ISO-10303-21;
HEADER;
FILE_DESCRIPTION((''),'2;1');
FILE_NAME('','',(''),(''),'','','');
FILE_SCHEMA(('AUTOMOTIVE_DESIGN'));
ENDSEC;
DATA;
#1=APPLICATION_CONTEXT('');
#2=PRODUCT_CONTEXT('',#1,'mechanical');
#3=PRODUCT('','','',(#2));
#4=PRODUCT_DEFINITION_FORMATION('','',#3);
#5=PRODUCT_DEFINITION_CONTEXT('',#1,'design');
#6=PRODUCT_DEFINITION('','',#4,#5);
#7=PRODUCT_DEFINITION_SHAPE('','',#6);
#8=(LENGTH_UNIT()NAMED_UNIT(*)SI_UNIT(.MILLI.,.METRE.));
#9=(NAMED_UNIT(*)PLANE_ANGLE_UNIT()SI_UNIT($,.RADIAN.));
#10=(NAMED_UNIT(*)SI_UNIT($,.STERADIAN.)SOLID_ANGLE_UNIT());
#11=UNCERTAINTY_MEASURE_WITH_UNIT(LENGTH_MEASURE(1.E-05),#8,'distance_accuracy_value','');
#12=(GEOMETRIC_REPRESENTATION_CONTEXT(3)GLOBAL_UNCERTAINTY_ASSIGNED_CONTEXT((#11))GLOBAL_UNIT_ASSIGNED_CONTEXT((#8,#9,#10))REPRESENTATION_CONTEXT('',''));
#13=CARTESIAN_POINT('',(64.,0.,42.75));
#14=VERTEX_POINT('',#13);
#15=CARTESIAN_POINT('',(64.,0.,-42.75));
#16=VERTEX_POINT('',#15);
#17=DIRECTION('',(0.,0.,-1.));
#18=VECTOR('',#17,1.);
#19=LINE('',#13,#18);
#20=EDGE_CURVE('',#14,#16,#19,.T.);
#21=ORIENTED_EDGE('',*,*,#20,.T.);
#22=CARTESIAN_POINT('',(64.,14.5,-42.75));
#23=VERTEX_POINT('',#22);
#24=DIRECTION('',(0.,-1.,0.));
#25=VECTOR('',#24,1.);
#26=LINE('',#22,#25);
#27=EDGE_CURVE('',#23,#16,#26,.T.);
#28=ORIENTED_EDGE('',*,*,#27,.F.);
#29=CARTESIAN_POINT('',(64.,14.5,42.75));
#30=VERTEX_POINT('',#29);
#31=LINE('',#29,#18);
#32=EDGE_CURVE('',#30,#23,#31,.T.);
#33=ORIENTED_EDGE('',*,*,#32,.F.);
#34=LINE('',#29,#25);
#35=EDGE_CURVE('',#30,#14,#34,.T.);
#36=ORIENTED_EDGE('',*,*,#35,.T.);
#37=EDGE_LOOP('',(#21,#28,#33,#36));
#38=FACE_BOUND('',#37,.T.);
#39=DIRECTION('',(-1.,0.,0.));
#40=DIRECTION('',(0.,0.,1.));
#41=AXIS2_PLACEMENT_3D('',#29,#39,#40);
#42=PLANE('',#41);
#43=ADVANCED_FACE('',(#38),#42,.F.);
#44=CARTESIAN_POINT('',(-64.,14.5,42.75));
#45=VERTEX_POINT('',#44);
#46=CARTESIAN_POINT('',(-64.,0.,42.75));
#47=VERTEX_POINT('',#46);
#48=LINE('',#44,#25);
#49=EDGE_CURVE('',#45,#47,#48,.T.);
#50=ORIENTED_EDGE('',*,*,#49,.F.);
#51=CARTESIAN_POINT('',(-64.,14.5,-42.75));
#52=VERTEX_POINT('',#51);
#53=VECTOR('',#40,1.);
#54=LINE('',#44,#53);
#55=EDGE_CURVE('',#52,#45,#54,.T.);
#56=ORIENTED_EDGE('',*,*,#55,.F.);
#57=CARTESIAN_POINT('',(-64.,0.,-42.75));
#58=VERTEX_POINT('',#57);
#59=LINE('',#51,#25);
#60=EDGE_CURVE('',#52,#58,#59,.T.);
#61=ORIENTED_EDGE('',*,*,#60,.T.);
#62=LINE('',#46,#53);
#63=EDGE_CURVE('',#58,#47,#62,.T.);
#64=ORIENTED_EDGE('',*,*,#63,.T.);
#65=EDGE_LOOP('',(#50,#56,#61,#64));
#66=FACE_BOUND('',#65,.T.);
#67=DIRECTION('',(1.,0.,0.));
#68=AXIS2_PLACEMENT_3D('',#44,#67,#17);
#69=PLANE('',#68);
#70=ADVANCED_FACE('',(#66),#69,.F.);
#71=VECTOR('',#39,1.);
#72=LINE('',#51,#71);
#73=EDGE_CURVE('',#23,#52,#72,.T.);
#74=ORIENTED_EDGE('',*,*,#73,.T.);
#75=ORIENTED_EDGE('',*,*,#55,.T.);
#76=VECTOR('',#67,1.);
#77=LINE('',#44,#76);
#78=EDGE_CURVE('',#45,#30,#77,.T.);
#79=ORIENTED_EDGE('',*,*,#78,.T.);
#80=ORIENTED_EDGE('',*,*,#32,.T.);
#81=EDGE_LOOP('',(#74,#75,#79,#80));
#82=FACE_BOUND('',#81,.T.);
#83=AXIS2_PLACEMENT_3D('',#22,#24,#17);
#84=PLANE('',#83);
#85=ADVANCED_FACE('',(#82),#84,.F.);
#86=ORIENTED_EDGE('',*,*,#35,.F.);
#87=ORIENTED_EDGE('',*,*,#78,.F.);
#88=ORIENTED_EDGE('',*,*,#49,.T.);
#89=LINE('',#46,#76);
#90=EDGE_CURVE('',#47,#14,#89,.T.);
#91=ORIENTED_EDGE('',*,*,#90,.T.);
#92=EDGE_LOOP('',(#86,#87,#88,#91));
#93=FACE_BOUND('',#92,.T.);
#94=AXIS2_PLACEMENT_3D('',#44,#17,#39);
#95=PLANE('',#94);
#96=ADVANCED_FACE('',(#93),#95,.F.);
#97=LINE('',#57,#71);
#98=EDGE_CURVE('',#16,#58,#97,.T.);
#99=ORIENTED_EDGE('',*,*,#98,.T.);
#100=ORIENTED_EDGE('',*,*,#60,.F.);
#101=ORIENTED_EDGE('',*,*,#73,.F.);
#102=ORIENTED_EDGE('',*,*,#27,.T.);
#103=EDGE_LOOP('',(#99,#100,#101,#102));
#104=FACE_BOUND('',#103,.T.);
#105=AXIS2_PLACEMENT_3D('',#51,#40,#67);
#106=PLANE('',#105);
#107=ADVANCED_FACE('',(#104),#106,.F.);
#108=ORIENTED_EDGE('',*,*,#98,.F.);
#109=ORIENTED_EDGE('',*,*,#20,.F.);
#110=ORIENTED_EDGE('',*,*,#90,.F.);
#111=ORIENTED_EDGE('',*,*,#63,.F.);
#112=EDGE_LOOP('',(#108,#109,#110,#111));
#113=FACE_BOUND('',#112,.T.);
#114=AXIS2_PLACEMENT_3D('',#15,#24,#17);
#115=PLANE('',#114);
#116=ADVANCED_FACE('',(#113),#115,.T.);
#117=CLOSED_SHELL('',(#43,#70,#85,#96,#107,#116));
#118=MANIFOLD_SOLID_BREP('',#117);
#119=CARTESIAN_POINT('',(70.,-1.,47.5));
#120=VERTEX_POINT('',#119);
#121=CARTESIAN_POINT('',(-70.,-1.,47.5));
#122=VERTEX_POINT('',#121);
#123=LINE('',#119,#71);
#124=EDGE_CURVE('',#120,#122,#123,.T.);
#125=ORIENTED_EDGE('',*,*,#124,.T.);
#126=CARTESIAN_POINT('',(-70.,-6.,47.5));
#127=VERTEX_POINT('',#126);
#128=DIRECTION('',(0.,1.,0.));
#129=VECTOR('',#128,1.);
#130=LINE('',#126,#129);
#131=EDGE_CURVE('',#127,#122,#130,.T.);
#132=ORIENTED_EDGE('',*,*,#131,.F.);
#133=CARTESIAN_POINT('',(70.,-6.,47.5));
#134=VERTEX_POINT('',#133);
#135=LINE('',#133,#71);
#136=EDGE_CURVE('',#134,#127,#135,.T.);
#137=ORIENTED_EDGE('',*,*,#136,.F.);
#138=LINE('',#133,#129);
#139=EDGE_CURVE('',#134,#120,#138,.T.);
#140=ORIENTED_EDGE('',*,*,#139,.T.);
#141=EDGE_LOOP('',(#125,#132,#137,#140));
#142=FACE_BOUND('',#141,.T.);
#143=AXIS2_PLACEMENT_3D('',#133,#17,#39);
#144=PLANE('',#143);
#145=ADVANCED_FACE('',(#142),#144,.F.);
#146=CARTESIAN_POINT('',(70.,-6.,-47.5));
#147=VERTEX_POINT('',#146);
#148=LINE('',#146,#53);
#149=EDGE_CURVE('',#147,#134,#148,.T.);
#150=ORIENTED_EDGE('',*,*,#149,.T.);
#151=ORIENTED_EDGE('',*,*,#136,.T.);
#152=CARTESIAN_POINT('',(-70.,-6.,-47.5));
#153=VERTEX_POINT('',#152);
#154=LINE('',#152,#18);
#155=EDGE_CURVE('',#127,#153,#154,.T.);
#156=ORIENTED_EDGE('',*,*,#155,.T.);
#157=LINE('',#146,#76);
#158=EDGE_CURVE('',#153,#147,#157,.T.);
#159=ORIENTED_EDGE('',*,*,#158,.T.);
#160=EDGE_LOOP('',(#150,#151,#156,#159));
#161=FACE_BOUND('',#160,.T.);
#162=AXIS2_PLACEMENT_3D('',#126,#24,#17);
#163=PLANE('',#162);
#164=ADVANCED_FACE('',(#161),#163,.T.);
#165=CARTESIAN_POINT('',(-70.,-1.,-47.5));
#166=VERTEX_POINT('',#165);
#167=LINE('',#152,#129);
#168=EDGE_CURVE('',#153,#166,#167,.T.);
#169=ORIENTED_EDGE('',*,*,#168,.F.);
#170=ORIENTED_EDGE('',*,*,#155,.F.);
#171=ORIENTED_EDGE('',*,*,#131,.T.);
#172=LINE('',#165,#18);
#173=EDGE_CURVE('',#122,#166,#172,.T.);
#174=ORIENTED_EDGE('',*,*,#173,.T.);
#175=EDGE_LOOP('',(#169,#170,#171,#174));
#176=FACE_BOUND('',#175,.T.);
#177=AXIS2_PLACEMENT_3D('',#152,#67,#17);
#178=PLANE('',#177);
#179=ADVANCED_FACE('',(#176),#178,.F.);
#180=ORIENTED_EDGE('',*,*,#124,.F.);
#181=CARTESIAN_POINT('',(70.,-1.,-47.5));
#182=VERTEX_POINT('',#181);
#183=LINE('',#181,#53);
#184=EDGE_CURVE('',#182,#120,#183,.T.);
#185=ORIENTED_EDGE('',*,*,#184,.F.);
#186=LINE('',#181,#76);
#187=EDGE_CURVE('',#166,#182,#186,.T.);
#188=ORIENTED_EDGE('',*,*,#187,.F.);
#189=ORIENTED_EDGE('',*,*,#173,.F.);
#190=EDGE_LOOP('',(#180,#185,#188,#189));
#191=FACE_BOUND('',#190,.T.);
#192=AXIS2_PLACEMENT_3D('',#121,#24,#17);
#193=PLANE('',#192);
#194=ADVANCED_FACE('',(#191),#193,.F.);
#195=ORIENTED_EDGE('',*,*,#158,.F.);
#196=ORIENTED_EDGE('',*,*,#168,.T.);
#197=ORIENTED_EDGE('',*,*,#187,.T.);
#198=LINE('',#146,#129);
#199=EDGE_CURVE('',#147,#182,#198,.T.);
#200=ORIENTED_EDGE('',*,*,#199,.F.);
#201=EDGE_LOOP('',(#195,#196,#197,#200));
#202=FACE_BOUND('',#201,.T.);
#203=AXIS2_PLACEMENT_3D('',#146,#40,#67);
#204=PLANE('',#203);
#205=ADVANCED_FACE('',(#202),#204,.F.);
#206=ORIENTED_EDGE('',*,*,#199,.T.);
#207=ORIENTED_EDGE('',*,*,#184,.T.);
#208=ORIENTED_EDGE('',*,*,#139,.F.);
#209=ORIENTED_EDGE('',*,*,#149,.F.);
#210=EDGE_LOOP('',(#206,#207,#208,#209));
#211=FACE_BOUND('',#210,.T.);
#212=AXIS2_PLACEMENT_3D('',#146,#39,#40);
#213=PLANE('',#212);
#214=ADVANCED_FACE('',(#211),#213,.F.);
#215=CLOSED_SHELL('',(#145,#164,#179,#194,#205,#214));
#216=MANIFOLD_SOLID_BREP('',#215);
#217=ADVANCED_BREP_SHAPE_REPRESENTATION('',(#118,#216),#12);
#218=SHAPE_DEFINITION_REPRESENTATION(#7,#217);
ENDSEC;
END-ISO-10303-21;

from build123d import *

# Parameters (mm, degrees)
SKETCH1_W           = 128
SKETCH1_H           = 85.5
BOSS_EXTRUDE1_DEPTH = 14.5
SKETCH3_W           = 140
SKETCH3_H           = 95
BOSS_EXTRUDE3_DEPTH = 5


with BuildPart() as part:
    # Sketch1 → Boss-Extrude1 (new body)
    with BuildSketch(Plane(origin=(0, 0, 0), x_dir=(1, 0, 0), z_dir=(0, 1, 0))):
        Rectangle(SKETCH1_W, SKETCH1_H)
    extrude(amount=BOSS_EXTRUDE1_DEPTH)


with BuildPart() as body_2:
    # Sketch3 → Boss-Extrude3 (new body)
    with BuildSketch(Plane.XZ.offset(1)):
        Rectangle(SKETCH3_W, SKETCH3_H)
    extrude(amount=BOSS_EXTRUDE3_DEPTH)


solid = Compound([part.part, body_2.part])
